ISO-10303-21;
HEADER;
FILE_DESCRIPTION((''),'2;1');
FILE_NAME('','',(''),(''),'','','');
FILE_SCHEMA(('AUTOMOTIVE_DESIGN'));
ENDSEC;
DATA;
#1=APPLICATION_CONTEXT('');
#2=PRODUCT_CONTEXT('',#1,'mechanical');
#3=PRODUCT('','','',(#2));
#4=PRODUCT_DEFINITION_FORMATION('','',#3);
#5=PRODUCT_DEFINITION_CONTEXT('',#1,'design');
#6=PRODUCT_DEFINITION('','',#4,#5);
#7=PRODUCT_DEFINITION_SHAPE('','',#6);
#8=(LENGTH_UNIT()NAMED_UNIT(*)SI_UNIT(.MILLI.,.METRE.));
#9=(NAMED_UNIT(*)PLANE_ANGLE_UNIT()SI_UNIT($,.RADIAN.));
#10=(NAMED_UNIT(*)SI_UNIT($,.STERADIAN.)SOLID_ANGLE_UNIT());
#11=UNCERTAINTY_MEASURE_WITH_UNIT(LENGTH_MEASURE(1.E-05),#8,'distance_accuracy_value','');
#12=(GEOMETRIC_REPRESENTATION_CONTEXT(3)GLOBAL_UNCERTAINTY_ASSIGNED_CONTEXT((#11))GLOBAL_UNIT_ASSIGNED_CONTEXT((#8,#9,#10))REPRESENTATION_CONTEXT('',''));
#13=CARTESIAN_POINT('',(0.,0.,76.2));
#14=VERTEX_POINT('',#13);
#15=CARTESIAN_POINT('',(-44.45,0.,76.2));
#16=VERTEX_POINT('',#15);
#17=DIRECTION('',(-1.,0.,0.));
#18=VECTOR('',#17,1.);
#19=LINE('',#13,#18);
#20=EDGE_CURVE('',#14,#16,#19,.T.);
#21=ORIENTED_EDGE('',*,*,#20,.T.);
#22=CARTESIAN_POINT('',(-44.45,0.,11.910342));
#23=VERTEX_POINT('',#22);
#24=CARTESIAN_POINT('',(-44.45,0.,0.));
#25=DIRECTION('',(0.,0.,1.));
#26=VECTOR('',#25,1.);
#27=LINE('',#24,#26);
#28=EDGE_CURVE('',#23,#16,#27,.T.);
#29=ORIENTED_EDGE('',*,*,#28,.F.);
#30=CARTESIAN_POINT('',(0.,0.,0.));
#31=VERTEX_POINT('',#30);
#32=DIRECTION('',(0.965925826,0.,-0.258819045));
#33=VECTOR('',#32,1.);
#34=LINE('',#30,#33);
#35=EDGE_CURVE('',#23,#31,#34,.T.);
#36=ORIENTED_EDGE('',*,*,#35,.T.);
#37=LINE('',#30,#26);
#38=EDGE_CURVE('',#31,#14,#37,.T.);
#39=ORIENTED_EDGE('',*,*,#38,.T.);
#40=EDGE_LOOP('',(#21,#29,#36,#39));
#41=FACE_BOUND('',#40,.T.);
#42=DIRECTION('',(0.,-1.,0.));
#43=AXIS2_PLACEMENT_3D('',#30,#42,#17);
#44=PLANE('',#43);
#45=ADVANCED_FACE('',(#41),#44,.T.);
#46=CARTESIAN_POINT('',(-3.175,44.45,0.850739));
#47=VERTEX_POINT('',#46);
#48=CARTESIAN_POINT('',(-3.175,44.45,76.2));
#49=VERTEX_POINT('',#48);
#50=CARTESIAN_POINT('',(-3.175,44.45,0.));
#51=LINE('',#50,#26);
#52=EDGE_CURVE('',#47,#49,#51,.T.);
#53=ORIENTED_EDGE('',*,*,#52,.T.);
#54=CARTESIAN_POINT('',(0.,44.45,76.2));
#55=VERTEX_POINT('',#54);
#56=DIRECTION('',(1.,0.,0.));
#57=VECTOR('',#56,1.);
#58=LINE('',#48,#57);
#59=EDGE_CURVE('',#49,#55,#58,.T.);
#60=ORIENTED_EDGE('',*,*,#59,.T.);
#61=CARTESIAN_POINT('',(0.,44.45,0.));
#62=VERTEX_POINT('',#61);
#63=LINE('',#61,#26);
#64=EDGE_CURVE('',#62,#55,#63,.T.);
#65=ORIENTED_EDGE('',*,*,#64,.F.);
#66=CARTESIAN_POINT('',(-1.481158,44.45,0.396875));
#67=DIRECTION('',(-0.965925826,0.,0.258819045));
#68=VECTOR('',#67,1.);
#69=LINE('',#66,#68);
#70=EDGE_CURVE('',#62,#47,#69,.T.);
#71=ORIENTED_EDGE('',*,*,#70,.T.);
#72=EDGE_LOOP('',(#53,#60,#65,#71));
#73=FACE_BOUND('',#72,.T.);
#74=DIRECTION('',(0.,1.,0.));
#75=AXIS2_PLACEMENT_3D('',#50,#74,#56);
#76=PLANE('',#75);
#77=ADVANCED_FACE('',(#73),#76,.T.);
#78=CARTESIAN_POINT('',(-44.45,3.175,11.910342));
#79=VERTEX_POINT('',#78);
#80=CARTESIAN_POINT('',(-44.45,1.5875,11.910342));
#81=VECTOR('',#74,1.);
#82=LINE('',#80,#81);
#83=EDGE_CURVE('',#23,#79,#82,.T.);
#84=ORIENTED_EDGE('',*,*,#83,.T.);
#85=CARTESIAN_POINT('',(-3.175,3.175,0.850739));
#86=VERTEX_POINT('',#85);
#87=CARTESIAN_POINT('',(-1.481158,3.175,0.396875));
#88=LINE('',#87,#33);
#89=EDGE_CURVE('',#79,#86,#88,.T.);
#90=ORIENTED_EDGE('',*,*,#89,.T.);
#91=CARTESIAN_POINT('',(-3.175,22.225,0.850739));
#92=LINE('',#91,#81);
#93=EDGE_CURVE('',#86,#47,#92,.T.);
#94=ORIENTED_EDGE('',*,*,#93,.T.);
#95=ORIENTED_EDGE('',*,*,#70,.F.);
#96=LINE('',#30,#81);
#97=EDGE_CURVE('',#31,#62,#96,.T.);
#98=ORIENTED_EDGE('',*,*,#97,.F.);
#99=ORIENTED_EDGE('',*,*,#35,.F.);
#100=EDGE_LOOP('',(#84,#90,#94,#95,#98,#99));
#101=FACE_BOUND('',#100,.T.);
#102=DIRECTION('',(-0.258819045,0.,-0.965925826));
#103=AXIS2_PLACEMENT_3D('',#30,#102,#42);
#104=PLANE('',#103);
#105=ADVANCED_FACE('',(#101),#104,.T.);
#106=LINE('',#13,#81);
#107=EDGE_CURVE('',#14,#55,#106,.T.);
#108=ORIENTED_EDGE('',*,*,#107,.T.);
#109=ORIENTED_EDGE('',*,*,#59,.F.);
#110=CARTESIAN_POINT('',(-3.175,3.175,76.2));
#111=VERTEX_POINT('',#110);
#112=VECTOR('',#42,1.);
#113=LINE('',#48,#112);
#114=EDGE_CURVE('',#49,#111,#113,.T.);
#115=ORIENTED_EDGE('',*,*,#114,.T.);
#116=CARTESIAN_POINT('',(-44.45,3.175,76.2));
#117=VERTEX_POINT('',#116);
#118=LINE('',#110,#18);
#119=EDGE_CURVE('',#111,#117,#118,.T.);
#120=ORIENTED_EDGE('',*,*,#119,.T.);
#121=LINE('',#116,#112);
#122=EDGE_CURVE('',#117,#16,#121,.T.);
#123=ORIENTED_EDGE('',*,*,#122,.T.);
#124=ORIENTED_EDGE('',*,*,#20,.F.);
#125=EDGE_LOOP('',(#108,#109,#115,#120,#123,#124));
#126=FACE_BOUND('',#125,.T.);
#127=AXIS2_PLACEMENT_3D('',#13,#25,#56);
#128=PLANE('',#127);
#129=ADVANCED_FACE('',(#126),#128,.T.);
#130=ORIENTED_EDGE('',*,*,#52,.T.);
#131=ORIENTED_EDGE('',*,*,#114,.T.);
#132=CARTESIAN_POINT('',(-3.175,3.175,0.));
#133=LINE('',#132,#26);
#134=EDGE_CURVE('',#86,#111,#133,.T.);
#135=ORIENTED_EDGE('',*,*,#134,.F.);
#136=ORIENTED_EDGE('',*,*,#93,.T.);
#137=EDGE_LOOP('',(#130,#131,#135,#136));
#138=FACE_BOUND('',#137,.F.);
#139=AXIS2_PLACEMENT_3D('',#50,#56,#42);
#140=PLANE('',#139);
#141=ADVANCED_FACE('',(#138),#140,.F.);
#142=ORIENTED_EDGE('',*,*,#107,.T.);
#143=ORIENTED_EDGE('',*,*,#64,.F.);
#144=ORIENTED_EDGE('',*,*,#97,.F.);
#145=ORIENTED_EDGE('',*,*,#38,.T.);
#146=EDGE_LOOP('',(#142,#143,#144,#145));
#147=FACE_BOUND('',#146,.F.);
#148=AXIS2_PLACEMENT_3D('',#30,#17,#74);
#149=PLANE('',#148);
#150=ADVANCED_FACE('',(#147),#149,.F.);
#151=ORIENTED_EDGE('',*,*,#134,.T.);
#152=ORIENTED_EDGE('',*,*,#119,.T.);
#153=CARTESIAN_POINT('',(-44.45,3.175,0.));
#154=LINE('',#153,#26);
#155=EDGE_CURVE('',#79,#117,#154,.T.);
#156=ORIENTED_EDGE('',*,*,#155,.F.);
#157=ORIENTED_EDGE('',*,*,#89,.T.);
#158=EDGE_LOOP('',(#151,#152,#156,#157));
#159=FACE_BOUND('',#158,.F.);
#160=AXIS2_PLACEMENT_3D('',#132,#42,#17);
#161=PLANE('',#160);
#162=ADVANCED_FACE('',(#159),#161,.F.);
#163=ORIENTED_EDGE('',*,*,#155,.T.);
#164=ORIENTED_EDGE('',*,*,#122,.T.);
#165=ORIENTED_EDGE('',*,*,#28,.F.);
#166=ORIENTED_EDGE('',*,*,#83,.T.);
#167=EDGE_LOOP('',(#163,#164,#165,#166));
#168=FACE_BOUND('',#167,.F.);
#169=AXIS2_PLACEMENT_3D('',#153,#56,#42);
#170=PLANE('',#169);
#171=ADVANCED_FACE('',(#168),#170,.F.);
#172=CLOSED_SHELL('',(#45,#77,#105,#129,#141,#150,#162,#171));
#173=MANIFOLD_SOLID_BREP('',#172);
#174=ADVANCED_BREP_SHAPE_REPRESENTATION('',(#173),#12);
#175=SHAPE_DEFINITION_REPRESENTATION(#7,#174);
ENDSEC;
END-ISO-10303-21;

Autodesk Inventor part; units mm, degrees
ref_plane "YZ Plane" through (0, 0, 0) normal (1, 0, 0) x (0, 1, 0)
ref_plane "XZ Plane" through (0, 0, 0) normal (0, 1, 0) x (-1, 0, 0)
ref_plane "XY Plane" through (0, 0, 0) normal (0, 0, 1) x (1, 0, 0)
sketch "Sketch1" plane through (0, 0, 0) normal (0, 0, 1) x (1, 0, 0)
  line L0 (0, 0) -> (0, 44.45)
  line L1 (0, 0) -> (-44.45, 0)
  line L2 (-3.175, 44.45) -> (-3.175, 3.175)
  line L3 (-3.175, 3.175) -> (-44.45, 3.175)
  line L4 (-3.175, 44.45) -> (0, 44.45)
  line L5 (-44.45, 3.175) -> (-44.45, 0)
  dimension "d0" = 44.45
  dimension "d1" = 44.45
  dimension "d2" = 3.175
extrude "Extrusion1" add sketch "Sketch1" along normal blind 76.2
ref_plane "Work Plane1" through (0, 0, 0) normal (-0.2588, 0, -0.9659) x (0, 1, 0)
split "Split1" plane through (0, 0, 0) removes the side toward (-0.2588, 0, -0.9659)
properties part number "ring support right"
